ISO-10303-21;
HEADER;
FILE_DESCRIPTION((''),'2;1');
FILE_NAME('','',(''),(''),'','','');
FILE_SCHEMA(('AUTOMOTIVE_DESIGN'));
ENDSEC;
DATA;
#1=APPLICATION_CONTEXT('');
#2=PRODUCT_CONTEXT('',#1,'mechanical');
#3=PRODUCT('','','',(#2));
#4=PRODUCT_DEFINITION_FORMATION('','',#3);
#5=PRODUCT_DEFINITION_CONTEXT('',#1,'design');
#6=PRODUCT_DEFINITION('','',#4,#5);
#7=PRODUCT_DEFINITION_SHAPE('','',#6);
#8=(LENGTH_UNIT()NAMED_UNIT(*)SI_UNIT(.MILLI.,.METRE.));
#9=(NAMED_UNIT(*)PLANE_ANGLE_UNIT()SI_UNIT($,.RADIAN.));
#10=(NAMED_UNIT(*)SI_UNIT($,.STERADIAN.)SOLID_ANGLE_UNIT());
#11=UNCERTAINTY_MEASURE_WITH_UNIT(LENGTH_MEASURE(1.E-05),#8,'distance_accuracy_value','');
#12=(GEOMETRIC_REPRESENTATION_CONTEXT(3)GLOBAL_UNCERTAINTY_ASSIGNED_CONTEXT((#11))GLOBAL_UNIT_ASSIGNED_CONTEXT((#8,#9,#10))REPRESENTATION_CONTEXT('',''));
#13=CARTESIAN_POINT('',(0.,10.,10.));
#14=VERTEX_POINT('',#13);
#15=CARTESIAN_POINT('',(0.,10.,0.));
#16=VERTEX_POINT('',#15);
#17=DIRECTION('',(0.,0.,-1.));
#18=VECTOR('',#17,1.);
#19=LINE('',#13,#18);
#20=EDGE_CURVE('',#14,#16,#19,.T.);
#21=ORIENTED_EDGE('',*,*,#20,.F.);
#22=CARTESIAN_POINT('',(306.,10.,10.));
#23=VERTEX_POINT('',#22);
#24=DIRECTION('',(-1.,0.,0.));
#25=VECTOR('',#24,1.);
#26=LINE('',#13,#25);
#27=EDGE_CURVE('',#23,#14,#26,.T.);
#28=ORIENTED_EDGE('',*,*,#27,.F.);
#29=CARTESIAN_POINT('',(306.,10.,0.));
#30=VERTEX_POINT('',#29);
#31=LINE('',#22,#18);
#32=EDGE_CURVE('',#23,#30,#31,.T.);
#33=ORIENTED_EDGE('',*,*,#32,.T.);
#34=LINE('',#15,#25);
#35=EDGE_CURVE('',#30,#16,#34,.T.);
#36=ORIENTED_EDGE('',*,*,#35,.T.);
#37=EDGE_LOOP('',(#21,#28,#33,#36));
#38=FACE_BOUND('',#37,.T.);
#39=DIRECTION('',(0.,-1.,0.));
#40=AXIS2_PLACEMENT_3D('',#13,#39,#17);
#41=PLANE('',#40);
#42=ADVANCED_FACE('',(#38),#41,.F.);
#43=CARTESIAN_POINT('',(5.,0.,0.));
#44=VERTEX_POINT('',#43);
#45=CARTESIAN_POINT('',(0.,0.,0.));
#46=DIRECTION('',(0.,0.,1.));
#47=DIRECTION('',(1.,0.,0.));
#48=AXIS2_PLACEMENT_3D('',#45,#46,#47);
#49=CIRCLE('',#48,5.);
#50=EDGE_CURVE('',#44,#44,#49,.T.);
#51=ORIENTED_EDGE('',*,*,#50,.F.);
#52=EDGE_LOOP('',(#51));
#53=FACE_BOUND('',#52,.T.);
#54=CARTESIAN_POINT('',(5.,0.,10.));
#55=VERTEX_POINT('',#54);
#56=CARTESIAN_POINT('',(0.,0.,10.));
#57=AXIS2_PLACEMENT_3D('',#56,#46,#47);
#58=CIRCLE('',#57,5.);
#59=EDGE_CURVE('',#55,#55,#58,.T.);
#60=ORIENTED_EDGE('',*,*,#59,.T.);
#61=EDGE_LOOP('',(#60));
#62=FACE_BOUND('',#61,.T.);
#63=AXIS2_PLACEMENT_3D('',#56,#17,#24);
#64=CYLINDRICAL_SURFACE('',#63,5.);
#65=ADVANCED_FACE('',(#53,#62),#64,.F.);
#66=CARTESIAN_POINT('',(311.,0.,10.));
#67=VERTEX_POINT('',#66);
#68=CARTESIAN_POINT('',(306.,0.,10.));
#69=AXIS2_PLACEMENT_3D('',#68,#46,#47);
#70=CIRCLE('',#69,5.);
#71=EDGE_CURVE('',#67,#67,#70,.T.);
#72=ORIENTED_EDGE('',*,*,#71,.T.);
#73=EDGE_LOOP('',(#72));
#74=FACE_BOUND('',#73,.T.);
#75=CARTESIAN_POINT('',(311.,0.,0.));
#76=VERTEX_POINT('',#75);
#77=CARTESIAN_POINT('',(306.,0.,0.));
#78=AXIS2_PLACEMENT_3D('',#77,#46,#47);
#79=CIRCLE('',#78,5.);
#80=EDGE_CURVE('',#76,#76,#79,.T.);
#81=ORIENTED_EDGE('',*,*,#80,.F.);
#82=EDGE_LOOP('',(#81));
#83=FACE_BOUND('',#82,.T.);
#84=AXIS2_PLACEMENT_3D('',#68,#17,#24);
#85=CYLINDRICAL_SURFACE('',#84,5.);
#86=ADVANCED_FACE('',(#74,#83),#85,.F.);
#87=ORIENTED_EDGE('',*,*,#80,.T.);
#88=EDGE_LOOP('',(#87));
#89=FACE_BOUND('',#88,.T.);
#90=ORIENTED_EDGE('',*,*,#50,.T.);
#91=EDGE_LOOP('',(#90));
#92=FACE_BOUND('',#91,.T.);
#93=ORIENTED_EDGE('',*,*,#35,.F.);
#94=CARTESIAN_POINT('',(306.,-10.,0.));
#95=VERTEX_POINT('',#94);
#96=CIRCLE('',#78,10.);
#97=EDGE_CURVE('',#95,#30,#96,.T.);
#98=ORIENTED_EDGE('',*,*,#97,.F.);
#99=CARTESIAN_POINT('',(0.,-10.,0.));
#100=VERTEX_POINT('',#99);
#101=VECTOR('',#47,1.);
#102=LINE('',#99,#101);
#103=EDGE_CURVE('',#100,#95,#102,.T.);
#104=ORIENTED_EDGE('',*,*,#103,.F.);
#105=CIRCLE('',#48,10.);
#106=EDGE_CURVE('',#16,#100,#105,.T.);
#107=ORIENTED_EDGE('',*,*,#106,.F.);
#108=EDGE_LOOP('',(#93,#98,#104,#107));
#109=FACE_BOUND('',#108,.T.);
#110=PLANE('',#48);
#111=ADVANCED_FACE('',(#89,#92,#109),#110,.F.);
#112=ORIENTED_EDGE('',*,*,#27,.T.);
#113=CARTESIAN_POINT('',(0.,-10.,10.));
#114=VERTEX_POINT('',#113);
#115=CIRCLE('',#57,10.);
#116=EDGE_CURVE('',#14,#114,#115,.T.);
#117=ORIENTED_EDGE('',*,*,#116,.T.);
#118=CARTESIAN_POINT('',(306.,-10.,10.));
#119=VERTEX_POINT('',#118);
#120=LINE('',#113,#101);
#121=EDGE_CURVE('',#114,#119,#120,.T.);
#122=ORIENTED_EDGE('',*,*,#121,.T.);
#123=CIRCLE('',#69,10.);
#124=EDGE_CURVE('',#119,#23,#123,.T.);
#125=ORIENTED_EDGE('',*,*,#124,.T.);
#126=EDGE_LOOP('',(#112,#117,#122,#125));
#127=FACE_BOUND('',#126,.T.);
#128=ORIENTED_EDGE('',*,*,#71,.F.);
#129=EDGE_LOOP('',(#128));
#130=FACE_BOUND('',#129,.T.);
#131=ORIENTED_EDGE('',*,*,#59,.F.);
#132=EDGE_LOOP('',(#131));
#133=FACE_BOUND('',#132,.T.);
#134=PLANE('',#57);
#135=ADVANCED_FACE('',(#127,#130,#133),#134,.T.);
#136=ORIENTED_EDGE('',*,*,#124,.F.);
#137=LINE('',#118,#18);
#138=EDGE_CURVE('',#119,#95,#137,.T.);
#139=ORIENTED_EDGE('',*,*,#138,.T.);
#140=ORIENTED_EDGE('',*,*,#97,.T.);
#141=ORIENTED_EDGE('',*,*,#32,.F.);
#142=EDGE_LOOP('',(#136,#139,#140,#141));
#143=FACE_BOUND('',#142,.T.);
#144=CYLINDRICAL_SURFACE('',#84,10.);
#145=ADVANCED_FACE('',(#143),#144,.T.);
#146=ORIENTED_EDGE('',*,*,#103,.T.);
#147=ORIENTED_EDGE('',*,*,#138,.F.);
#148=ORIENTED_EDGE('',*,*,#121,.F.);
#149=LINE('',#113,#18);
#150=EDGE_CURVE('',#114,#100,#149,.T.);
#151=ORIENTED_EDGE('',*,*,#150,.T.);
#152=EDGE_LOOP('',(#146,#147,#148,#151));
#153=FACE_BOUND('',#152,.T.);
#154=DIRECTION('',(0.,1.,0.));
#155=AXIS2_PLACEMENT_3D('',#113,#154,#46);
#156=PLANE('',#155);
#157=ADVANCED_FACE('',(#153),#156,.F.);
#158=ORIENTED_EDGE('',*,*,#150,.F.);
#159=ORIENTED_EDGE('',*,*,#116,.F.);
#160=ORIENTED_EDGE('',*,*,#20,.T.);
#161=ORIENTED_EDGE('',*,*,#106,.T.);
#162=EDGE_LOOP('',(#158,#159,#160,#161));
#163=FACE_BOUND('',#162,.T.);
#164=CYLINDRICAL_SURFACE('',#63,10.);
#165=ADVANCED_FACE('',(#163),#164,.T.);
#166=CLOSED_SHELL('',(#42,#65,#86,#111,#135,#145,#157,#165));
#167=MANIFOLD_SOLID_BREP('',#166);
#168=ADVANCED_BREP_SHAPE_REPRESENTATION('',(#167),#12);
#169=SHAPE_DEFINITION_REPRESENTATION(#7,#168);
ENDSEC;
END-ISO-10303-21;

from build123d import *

# Parameters (mm, degrees)
SKETCH_1_R      = 5
EXTRUDE_1_DEPTH = 10


with BuildPart() as part:
    # 草图1 → 凸台-拉伸1 (new body)
    with BuildSketch(Plane.XY):
        with BuildLine():
            Line((0, 10), (306, 10))
            ThreePointArc((306, 10), (316, 0), (306, -10))
            Line((306, -10), (0, -10))
            ThreePointArc((0, -10), (-10, 0), (0, 10))
        make_face()
        Circle(SKETCH_1_R, mode=Mode.SUBTRACT)
        with Locations((306, 0)):
            Circle(SKETCH_1_R, mode=Mode.SUBTRACT)
    extrude(amount=EXTRUDE_1_DEPTH)


solid = part.part
